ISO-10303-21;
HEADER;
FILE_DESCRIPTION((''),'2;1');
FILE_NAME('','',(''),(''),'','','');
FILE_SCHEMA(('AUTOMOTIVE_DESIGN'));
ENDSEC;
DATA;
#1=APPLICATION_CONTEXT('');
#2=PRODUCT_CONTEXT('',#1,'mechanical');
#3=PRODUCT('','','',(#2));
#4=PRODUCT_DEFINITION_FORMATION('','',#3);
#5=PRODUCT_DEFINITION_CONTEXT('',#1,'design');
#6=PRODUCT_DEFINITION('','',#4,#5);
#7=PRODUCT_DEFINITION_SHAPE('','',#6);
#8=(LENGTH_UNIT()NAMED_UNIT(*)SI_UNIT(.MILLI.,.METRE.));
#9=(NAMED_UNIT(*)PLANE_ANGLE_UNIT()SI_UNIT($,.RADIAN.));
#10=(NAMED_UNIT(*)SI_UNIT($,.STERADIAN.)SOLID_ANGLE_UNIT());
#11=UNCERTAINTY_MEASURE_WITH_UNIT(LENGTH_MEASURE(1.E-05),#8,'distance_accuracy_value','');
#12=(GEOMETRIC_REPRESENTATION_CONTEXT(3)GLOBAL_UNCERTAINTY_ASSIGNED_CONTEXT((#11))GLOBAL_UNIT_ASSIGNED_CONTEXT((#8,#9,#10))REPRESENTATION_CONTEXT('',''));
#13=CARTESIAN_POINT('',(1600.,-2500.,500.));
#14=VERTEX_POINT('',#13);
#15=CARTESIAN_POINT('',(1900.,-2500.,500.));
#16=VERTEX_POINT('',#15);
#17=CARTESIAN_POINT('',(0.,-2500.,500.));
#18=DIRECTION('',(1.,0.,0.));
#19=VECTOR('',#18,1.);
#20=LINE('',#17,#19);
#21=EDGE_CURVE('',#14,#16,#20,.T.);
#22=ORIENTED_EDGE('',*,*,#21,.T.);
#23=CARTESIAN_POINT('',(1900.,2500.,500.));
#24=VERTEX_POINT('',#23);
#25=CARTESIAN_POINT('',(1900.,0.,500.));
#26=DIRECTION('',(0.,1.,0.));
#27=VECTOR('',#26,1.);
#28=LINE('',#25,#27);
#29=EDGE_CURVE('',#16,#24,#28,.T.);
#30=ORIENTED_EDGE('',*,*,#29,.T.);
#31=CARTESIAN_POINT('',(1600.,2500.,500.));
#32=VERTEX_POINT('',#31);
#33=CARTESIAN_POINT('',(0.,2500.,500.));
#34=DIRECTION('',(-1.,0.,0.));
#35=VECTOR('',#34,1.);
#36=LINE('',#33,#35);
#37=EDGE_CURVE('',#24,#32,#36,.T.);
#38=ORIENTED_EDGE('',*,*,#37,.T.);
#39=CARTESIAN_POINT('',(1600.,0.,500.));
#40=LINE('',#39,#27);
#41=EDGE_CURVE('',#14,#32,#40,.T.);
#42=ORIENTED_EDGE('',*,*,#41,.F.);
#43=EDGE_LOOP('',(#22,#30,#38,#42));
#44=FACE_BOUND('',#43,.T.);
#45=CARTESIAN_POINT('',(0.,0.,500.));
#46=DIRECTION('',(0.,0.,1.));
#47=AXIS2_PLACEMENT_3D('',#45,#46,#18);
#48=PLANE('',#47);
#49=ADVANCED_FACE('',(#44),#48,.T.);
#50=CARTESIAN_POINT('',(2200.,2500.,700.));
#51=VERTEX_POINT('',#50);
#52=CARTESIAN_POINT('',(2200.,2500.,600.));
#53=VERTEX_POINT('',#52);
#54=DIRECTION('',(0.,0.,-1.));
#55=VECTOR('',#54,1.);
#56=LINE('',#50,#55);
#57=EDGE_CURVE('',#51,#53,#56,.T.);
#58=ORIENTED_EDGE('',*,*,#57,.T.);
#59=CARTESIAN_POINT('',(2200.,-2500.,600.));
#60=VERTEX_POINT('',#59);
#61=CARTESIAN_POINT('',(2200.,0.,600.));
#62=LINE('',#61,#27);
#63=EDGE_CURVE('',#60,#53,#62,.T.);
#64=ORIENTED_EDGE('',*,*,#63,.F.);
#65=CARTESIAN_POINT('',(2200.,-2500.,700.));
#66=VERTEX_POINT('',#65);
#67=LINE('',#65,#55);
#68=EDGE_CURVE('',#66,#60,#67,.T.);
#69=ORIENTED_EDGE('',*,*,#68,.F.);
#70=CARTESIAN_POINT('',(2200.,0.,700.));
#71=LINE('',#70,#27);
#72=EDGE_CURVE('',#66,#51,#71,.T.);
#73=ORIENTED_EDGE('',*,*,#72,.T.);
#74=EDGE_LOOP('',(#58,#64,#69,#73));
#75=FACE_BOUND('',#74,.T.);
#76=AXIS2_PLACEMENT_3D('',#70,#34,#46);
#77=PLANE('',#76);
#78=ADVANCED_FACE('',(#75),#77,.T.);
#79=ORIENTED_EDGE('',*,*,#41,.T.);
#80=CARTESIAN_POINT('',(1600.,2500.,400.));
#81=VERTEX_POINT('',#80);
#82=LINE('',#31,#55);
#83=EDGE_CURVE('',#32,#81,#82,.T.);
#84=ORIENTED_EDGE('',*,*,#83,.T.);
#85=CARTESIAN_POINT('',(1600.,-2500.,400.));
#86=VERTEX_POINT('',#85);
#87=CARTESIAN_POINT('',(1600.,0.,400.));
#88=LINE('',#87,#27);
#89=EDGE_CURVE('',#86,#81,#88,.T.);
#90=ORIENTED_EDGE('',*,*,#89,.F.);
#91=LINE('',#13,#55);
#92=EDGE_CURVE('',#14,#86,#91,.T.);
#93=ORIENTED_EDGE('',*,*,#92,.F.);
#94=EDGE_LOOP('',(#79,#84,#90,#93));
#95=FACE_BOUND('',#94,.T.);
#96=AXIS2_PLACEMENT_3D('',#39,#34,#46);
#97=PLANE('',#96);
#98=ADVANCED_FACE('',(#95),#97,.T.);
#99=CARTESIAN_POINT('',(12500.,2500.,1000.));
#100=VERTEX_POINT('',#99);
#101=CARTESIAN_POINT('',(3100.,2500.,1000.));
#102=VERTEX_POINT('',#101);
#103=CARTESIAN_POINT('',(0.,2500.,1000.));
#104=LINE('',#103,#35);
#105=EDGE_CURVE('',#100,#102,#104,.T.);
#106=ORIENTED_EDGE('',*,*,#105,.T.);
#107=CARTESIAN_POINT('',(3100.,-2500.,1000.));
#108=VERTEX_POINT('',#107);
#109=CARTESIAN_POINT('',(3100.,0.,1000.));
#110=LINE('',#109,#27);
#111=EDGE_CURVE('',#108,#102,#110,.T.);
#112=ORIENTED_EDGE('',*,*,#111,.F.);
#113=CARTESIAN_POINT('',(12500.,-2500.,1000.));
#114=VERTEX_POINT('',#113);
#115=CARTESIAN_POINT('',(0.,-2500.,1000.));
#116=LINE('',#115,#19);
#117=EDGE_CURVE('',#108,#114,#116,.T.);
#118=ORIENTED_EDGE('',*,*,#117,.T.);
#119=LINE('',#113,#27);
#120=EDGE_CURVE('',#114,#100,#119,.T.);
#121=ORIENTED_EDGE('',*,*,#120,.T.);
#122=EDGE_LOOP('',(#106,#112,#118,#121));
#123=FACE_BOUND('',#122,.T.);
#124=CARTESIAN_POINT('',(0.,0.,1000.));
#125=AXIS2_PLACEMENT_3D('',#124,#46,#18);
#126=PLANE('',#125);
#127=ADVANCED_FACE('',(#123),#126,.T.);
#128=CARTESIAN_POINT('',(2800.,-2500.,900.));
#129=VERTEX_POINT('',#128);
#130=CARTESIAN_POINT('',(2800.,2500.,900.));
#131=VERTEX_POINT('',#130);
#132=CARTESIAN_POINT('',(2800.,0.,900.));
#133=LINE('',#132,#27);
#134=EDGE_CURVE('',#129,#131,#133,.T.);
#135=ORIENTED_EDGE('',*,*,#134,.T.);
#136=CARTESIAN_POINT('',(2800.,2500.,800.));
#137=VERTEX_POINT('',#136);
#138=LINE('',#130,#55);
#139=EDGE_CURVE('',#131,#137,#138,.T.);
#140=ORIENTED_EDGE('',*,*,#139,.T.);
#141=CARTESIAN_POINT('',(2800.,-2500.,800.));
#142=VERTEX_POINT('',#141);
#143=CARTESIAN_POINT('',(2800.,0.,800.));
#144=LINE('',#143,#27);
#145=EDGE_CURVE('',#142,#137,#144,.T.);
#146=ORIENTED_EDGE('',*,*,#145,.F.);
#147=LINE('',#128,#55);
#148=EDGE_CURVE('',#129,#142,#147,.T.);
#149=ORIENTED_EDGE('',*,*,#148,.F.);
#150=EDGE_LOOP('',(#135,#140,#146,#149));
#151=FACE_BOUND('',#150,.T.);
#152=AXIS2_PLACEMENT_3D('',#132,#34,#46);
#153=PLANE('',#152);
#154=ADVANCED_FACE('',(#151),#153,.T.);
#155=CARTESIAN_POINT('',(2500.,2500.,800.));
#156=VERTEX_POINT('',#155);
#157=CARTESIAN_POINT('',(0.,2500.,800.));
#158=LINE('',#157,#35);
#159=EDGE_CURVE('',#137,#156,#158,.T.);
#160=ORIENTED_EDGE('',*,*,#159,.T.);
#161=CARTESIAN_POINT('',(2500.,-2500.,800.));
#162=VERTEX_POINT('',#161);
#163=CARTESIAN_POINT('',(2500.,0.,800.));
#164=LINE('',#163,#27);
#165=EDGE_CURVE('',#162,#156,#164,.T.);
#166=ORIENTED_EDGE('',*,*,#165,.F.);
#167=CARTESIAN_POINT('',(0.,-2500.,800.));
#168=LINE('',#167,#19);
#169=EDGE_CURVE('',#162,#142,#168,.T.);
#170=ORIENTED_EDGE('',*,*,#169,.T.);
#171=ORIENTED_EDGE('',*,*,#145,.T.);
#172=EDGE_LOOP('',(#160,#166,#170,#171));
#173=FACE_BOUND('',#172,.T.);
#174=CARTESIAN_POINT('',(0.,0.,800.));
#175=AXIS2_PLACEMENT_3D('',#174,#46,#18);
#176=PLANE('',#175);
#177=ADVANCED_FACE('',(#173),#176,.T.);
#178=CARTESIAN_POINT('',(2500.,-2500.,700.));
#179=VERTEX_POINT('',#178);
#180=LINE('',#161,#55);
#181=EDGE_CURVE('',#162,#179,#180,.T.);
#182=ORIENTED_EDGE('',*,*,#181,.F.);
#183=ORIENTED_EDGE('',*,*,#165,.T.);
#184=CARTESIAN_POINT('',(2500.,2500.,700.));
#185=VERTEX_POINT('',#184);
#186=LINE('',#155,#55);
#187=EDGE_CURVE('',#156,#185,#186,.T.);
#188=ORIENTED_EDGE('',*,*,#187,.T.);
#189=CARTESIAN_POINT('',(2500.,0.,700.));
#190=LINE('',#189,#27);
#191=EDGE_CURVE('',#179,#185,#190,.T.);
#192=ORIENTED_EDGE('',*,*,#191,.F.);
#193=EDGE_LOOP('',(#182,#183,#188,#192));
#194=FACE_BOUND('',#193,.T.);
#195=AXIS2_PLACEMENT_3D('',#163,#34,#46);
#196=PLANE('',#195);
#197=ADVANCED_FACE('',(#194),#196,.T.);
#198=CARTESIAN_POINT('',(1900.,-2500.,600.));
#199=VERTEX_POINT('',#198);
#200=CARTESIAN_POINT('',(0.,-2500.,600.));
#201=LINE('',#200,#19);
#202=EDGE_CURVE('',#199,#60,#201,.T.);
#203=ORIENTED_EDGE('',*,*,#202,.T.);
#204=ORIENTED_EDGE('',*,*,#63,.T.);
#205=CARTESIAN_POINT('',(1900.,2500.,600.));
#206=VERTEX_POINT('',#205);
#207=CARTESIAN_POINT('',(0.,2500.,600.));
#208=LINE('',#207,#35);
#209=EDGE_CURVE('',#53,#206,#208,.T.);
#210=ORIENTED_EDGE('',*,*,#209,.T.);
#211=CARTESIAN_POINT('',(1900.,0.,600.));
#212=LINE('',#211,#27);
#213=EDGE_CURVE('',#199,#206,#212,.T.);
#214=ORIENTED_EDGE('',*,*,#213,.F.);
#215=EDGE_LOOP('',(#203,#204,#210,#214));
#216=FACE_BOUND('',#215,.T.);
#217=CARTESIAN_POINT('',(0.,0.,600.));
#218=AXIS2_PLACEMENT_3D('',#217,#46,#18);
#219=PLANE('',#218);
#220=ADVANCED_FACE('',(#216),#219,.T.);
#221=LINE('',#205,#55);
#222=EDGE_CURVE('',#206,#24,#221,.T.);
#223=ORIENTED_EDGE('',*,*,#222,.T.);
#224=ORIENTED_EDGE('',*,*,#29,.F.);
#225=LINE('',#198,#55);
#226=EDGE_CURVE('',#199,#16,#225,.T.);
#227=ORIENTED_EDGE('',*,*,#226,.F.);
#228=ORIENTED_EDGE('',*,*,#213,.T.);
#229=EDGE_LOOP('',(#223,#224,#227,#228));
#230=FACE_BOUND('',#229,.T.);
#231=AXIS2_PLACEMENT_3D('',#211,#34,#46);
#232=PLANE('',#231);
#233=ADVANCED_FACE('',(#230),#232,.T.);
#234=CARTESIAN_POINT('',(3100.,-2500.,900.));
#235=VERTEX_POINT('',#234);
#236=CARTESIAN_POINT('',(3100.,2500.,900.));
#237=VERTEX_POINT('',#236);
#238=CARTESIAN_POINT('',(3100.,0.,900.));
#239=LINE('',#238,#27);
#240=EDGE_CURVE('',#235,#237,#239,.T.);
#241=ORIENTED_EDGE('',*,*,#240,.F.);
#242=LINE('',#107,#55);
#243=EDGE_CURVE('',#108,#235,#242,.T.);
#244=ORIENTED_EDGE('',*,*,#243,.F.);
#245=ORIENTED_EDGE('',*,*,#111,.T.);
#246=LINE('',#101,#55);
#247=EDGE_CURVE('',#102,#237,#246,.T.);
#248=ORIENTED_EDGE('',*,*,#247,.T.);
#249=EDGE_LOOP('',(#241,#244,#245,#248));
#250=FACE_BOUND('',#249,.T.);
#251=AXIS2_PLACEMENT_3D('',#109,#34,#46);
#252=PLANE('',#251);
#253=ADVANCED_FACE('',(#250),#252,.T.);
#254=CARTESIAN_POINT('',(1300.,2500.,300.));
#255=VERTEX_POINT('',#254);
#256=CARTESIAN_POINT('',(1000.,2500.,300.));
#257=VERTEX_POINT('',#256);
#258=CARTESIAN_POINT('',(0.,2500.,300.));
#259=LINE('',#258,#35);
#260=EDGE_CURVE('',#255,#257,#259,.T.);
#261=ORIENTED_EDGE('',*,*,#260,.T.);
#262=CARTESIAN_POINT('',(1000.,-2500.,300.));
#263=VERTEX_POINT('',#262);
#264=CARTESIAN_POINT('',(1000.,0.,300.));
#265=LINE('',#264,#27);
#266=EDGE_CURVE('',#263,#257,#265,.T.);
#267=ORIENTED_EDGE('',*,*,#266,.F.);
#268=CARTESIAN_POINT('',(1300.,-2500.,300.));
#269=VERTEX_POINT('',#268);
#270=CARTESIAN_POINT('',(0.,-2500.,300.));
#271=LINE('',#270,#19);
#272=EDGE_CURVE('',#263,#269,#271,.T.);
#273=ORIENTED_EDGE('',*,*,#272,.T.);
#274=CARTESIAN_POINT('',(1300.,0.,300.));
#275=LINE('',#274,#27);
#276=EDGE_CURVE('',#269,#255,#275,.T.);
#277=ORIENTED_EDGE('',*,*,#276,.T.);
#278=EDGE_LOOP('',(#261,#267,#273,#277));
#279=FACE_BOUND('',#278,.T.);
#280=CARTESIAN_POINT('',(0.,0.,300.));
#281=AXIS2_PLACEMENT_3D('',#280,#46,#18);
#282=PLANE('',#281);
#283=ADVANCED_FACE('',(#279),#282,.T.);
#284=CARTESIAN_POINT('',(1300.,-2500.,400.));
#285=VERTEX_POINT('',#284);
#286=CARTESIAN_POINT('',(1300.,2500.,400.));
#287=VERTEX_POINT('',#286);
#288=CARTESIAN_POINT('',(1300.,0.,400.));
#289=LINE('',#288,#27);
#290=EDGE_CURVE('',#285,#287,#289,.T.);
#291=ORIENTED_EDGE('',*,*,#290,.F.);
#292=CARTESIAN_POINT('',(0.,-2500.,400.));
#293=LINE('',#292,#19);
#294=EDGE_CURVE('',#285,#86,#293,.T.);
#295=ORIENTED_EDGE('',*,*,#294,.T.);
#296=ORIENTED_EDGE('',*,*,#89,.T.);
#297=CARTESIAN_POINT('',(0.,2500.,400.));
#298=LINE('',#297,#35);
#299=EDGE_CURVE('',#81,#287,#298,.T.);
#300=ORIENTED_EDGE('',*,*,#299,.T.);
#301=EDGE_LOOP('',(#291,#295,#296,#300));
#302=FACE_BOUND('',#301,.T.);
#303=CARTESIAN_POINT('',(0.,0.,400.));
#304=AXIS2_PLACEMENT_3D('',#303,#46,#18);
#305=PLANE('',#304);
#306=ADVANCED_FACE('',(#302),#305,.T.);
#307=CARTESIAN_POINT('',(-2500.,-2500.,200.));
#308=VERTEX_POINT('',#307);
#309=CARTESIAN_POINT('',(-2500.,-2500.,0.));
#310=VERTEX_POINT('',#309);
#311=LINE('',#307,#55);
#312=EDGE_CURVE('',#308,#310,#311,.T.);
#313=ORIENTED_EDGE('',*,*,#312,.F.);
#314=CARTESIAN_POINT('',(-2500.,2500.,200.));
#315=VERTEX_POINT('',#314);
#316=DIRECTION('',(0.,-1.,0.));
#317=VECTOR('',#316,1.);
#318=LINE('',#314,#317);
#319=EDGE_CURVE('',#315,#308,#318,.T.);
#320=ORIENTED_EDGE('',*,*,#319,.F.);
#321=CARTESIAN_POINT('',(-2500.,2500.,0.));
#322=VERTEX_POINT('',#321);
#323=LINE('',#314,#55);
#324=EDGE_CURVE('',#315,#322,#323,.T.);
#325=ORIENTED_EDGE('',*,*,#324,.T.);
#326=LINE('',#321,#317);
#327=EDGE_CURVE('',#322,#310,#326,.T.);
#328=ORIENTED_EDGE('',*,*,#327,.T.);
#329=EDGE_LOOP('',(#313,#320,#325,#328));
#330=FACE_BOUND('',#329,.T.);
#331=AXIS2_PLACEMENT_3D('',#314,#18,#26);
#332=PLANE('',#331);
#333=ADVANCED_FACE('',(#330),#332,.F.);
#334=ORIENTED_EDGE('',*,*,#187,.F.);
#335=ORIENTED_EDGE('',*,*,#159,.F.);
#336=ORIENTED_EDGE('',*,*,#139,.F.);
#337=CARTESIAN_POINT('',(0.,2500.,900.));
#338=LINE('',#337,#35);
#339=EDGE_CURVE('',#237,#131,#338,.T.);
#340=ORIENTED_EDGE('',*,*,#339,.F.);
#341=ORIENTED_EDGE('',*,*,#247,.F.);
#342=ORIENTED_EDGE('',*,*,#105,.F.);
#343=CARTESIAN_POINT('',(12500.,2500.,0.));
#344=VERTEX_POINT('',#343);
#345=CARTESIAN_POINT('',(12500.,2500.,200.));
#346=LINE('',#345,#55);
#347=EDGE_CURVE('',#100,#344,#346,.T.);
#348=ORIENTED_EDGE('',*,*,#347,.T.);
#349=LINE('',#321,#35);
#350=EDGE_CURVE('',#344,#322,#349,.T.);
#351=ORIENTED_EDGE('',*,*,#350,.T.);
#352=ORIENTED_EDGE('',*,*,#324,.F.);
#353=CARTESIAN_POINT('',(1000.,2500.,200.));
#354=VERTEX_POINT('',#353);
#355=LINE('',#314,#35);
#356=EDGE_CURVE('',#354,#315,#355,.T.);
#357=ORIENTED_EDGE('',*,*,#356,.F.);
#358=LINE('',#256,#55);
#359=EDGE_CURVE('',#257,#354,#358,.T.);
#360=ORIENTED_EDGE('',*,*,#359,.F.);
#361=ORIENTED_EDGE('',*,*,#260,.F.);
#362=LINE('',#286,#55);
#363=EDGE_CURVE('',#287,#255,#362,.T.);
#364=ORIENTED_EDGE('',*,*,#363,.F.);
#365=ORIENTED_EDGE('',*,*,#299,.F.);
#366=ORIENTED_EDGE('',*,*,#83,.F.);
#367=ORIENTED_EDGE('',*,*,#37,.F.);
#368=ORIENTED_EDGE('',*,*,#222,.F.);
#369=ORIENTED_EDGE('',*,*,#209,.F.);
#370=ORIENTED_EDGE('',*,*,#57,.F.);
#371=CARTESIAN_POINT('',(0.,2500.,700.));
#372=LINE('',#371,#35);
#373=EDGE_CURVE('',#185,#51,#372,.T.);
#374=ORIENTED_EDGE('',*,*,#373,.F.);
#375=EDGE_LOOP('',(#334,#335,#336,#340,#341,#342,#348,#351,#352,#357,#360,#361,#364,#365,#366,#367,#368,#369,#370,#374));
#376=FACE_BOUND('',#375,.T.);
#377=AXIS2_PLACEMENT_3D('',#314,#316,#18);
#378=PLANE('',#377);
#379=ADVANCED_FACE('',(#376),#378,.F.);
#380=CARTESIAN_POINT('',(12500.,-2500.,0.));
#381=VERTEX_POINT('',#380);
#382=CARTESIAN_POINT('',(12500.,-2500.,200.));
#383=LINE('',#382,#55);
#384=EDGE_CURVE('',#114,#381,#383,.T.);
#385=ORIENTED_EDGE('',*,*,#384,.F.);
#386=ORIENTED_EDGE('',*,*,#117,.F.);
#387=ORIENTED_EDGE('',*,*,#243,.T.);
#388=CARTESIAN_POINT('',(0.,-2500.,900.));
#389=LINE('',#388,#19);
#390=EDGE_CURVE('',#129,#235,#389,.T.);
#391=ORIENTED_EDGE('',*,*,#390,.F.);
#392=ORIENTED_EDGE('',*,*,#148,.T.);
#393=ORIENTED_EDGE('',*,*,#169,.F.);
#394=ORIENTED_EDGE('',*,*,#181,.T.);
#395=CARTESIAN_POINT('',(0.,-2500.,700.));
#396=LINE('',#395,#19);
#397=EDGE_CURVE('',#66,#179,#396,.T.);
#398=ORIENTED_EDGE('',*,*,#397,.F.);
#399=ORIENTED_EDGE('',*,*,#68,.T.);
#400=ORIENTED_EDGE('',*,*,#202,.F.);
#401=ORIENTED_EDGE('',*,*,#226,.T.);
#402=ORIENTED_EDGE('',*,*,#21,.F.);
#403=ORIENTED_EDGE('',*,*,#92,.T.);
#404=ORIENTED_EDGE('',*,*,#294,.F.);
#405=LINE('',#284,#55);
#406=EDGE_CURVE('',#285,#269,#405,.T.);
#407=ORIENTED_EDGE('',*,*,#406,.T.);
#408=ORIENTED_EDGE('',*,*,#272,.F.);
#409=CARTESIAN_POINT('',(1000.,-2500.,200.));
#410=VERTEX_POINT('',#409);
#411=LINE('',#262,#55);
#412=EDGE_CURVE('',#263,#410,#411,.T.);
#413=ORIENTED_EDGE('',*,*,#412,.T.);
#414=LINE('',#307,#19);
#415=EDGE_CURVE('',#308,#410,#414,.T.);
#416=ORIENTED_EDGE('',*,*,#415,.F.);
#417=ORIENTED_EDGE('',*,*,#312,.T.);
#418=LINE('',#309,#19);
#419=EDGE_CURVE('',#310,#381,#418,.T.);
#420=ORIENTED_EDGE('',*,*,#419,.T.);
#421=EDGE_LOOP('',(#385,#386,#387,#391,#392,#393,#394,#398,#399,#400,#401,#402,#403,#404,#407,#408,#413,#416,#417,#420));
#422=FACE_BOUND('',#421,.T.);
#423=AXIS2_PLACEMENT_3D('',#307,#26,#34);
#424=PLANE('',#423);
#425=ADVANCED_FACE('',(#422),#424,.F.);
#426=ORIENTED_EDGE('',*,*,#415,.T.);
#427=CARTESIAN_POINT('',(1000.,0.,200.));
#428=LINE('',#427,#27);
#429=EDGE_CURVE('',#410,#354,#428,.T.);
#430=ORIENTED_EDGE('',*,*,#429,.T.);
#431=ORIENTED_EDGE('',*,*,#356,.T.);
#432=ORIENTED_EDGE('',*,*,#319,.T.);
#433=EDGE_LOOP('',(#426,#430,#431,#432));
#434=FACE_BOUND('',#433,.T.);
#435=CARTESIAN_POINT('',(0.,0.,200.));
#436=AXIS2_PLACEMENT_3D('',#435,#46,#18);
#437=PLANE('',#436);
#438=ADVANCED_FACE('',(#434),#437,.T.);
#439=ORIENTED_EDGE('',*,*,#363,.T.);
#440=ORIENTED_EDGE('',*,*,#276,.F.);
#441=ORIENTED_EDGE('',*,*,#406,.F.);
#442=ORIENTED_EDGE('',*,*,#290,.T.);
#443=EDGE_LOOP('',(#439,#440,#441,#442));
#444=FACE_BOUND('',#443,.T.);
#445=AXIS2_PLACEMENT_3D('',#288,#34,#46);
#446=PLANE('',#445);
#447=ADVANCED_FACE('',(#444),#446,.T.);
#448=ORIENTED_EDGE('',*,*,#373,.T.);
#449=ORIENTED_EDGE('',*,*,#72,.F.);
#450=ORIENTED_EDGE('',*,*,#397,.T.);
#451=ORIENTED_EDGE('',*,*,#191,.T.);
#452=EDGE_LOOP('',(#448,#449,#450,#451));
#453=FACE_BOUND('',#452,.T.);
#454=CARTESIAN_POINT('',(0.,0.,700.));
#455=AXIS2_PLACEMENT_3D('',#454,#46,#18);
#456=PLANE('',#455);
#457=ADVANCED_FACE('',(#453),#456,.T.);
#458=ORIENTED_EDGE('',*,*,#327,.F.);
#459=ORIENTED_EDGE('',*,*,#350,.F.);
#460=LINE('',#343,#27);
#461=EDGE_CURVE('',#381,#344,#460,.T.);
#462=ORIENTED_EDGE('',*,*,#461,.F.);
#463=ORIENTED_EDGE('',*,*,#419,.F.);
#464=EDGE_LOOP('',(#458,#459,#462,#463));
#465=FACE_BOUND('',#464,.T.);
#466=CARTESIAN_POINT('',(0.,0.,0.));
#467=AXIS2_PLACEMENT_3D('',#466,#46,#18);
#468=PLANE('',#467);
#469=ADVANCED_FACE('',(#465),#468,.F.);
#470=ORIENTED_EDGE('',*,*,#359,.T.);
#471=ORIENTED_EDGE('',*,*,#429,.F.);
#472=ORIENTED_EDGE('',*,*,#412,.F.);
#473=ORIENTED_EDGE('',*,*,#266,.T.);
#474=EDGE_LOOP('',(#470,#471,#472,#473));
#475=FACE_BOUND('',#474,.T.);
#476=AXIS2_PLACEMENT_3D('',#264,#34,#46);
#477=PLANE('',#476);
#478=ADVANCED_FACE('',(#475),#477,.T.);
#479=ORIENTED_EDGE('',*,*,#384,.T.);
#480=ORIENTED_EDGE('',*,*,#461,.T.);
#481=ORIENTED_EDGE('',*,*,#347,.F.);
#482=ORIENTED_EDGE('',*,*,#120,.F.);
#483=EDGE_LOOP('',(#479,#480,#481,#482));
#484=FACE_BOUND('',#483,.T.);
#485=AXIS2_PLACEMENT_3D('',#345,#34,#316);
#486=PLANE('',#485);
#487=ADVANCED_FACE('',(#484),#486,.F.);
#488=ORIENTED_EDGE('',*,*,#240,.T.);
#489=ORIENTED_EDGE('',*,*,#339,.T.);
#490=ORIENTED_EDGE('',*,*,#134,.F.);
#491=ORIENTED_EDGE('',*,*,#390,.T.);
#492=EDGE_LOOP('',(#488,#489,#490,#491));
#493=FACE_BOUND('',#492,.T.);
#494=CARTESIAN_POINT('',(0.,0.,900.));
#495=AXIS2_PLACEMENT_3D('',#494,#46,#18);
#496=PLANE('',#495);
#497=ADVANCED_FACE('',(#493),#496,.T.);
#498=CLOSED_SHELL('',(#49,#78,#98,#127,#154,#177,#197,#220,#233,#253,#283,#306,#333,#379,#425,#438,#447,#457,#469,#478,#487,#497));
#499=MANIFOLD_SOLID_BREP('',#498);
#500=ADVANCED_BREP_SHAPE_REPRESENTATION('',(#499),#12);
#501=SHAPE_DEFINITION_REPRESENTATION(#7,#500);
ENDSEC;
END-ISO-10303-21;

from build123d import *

# Parameters (mm, degrees)
SKETCH3_W           = 15000
SKETCH3_H           = 5000
BOSS_EXTRUDE1_DEPTH = 200
SKETCH4_W           = 300
SKETCH4_H           = 5000
STEP1_DEPTH         = 100
SKETCH4_4_W         = 300
SKETCH4_4_H         = 5000
STEP2_DEPTH         = 200
SKETCH4_5_W         = 300
SKETCH4_5_H         = 5000
STEP3_DEPTH         = 300
SKETCH4_6_W         = 300
SKETCH4_6_H         = 5000
STEP4_DEPTH         = 400
SKETCH4_7_W         = 300
SKETCH4_7_H         = 5000
STEP5_DEPTH         = 500
SKETCH4_8_W         = 300
SKETCH4_8_H         = 5000
STEP6_DEPTH         = 600
SKETCH4_9_W         = 300
SKETCH4_9_H         = 5000
STEP7_DEPTH         = 700
SKETCH4_10_W        = 300
SKETCH4_10_H        = 5000
STEP8_DEPTH         = 800
SKETCH8_W           = 9100
SKETCH8_H           = 5000
STEP9_DEPTH         = 800


with BuildPart() as part:
    # Sketch3 → Boss-Extrude1 (new body)
    with BuildSketch(Plane.XY):
        with Locations((5000, 0)):
            Rectangle(SKETCH3_W, SKETCH3_H)
    extrude(amount=BOSS_EXTRUDE1_DEPTH)

    # Sketch4 → Step1 (add)
    with BuildSketch(Plane.XY.offset(200)):
        with Locations((1150, 0)):
            Rectangle(SKETCH4_W, SKETCH4_H)
    extrude(amount=STEP1_DEPTH)

    # Sketch4<4> → Step2 (add)
    with BuildSketch(Plane.XY.offset(200)):
        with Locations((1450, 0)):
            Rectangle(SKETCH4_4_W, SKETCH4_4_H)
    extrude(amount=STEP2_DEPTH)

    # Sketch4<5> → Step3 (add)
    with BuildSketch(Plane.XY.offset(200)):
        with Locations((1750, 0)):
            Rectangle(SKETCH4_5_W, SKETCH4_5_H)
    extrude(amount=STEP3_DEPTH)

    # Sketch4<6> → Step4 (add)
    with BuildSketch(Plane.XY.offset(200)):
        with Locations((2050, 0)):
            Rectangle(SKETCH4_6_W, SKETCH4_6_H)
    extrude(amount=STEP4_DEPTH)

    # Sketch4<7> → Step5 (add)
    with BuildSketch(Plane.XY.offset(200)):
        with Locations((2350, 0)):
            Rectangle(SKETCH4_7_W, SKETCH4_7_H)
    extrude(amount=STEP5_DEPTH)

    # Sketch4<8> → Step6 (add)
    with BuildSketch(Plane.XY.offset(200)):
        with Locations((2650, 0)):
            Rectangle(SKETCH4_8_W, SKETCH4_8_H)
    extrude(amount=STEP6_DEPTH)

    # Sketch4<9> → Step7 (add)
    with BuildSketch(Plane.XY.offset(200)):
        with Locations((2950, 0)):
            Rectangle(SKETCH4_9_W, SKETCH4_9_H)
    extrude(amount=STEP7_DEPTH)

    # Sketch4<10> → Step8 (add)
    with BuildSketch(Plane.XY.offset(200)):
        with Locations((3250, 0)):
            Rectangle(SKETCH4_10_W, SKETCH4_10_H)
    extrude(amount=STEP8_DEPTH)

    # Sketch8 → Step9 (add)
    with BuildSketch(Plane.XY.offset(200)):
        with Locations((7950, 0)):
            Rectangle(SKETCH8_W, SKETCH8_H)
    extrude(amount=STEP9_DEPTH)


solid = part.part
